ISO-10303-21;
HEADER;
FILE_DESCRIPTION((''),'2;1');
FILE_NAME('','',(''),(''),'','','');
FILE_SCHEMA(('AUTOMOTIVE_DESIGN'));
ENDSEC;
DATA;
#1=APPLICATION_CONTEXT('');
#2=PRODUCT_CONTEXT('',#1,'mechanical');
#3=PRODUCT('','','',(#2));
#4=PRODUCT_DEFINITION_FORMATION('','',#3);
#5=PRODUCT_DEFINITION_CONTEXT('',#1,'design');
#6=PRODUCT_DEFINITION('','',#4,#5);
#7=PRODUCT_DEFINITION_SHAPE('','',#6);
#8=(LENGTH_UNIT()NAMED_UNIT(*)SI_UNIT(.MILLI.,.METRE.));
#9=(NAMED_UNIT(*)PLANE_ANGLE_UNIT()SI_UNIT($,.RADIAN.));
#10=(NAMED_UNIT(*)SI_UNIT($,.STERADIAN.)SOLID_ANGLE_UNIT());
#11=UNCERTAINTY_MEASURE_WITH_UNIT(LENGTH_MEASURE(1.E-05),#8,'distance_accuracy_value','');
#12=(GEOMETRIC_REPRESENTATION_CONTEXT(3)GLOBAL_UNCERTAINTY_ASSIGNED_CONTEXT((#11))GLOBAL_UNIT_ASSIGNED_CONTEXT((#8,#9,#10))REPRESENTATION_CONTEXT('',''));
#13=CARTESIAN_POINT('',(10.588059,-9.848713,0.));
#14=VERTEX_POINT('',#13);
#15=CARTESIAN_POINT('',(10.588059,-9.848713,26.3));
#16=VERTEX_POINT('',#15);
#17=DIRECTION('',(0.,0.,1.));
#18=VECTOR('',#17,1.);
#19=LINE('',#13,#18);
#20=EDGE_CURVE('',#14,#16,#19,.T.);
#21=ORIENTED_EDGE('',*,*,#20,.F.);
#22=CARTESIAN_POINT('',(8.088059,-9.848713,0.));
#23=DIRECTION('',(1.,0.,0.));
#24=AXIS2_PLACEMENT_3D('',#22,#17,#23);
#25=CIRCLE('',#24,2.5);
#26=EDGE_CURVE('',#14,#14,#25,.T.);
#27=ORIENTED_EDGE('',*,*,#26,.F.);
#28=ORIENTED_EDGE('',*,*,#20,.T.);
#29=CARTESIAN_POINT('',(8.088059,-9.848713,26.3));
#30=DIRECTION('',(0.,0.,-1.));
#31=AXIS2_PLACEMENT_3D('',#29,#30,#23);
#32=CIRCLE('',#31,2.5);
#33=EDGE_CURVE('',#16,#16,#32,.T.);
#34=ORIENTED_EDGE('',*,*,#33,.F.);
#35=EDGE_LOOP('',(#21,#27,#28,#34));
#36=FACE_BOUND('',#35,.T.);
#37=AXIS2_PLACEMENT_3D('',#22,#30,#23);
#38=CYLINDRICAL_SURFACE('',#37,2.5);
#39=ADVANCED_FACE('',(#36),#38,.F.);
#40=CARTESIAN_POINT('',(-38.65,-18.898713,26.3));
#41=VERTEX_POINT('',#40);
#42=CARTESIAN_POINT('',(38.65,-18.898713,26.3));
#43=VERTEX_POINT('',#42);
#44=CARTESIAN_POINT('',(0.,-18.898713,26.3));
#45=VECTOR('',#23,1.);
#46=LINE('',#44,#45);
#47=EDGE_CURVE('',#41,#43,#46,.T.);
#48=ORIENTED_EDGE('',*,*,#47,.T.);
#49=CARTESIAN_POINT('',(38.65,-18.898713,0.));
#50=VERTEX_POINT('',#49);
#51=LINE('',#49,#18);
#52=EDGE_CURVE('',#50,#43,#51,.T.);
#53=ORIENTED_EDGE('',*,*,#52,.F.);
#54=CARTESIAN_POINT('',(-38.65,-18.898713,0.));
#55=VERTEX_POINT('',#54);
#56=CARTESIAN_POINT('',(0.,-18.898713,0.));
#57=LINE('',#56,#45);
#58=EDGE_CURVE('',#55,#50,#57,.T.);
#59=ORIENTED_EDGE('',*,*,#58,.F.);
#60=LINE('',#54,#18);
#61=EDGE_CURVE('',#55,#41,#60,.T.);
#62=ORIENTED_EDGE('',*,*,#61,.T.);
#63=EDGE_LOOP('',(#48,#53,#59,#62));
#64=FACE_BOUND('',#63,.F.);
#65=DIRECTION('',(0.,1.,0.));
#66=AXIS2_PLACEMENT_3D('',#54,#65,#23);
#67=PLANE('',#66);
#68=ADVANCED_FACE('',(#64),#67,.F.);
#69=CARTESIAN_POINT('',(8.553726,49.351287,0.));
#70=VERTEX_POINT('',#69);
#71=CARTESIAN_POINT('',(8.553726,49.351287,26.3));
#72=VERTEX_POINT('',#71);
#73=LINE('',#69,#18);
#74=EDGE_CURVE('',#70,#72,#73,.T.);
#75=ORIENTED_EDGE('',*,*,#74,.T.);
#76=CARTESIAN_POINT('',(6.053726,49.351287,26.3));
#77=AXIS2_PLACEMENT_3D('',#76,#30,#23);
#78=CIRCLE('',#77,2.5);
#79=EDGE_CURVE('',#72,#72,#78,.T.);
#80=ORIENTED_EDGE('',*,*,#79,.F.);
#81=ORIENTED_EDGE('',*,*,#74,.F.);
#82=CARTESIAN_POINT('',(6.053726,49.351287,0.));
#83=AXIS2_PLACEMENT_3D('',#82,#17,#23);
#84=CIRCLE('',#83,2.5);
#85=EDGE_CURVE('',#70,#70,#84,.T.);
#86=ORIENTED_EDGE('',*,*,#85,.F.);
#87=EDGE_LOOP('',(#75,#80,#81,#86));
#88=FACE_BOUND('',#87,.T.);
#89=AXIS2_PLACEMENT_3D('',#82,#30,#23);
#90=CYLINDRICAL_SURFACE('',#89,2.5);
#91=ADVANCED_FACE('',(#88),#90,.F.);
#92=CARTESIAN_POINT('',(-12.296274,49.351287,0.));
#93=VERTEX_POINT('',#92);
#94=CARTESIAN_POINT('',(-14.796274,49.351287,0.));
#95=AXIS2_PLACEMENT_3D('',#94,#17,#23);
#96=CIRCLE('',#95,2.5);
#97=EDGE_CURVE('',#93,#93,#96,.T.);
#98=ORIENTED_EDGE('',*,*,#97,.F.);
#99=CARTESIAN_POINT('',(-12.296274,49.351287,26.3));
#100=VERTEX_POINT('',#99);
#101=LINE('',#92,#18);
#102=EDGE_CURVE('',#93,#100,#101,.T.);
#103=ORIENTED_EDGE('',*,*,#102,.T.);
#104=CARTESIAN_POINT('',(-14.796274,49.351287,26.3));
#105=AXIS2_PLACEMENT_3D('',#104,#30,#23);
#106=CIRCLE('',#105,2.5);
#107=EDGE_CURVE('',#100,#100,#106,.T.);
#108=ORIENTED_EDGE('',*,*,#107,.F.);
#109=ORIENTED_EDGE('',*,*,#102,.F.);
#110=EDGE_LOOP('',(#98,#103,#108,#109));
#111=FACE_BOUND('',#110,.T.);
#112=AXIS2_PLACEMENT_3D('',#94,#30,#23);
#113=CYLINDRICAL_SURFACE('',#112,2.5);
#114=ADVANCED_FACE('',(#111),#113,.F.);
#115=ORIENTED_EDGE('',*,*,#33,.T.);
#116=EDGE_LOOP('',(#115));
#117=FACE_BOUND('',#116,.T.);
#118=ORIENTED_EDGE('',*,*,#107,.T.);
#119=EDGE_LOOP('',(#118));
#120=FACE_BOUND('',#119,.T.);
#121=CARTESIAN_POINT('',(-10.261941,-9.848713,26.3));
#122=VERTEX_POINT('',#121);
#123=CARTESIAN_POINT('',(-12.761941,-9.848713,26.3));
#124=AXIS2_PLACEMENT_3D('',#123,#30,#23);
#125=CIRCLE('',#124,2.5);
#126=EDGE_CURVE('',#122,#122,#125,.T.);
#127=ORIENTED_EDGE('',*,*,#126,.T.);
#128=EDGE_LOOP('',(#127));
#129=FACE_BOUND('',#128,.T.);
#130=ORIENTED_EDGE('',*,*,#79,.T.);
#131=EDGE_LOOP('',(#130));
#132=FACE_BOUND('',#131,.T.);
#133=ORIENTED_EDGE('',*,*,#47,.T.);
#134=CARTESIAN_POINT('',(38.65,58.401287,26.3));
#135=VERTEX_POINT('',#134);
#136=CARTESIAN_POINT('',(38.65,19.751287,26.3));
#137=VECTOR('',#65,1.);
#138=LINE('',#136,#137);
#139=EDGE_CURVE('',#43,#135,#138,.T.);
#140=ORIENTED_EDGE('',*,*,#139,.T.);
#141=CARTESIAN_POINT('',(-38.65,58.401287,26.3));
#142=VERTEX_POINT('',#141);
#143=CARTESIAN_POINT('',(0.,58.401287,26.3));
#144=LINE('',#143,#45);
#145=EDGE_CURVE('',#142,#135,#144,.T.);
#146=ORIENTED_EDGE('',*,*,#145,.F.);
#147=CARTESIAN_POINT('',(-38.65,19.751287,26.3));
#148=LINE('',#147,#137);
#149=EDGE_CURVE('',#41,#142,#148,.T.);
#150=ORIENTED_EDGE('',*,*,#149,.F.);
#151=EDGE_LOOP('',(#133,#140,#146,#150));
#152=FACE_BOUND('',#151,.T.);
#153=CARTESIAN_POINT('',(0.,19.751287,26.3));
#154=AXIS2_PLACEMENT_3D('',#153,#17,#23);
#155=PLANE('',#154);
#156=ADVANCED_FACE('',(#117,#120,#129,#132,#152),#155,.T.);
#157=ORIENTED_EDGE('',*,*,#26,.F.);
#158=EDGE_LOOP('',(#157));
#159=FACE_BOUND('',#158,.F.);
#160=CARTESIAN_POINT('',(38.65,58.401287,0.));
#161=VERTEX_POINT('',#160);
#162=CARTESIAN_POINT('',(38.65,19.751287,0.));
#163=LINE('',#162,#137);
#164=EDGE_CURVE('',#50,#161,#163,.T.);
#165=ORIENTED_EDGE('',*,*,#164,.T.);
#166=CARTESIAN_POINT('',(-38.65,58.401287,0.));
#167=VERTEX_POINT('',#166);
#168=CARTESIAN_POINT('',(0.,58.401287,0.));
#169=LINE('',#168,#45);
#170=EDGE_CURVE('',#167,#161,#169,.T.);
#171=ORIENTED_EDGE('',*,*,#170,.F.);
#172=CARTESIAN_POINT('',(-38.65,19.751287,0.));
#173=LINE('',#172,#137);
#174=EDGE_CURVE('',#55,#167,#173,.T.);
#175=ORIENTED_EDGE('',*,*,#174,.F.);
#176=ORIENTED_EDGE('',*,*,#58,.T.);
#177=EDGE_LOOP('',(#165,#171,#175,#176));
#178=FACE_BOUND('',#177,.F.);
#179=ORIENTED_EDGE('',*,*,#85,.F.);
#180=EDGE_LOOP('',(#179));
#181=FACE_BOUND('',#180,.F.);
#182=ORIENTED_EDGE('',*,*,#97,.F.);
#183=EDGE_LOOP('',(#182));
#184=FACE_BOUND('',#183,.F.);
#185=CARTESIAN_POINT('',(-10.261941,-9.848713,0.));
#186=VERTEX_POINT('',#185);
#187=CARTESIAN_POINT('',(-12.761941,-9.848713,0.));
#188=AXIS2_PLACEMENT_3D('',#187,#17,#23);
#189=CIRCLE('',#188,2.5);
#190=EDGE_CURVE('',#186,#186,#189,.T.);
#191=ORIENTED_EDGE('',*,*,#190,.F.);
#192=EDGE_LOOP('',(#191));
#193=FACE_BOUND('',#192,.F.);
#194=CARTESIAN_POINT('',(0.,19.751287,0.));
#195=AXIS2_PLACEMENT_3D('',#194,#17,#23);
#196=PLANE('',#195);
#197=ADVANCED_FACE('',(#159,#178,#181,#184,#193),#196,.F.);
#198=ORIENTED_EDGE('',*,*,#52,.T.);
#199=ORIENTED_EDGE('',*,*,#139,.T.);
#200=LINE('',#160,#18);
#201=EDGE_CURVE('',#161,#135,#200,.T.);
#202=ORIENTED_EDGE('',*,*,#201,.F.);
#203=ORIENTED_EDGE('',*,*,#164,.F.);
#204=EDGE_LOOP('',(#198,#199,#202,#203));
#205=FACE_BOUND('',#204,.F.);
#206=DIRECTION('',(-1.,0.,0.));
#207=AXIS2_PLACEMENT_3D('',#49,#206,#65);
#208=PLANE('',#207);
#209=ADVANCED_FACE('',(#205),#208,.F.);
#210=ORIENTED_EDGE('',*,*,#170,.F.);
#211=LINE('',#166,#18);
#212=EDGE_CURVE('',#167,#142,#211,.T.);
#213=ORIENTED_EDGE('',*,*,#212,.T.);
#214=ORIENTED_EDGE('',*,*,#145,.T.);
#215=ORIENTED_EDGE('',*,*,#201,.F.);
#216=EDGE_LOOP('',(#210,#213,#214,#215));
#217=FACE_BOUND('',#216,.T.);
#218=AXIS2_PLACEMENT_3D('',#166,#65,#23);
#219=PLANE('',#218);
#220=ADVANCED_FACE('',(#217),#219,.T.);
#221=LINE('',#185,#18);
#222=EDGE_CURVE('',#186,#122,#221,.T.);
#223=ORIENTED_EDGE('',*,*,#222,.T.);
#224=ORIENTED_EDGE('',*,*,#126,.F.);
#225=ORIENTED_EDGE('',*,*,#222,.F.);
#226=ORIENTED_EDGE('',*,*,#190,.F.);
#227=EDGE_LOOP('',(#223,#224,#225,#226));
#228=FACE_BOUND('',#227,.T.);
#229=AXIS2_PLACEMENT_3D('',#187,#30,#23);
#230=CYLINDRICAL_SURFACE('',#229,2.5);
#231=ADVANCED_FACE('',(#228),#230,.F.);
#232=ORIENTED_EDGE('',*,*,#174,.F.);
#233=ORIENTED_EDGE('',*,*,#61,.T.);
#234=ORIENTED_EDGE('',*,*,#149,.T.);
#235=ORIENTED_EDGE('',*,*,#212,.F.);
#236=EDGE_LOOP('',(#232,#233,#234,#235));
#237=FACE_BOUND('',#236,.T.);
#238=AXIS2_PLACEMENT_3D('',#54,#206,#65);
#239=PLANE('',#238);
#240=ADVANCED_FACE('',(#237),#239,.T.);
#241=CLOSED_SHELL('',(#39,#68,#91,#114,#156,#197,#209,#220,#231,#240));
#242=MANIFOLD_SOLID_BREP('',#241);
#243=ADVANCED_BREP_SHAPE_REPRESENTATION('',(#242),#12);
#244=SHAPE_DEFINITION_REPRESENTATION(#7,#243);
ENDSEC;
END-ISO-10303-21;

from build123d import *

# Parameters (mm, degrees)
F0_W     = 77.3
F0_H     = 77.3
F1_DEPTH = 26.3
F2_R     = 2.5
F3_DEPTH = 66.5


with BuildPart() as f1:
    # F0 (on Top) → F1 (new body)
    with BuildSketch(Plane.XY):
        with Locations((0, 19.751287)):
            Rectangle(F0_W, F0_H)
    extrude(amount=F1_DEPTH)

    # F2 (on Top) → F3 (cut)
    with BuildSketch(Plane.XY):
        with Locations((-12.761941, -9.848713)):
            Circle(F2_R)
        with Locations((8.088059, -9.848713)):
            Circle(F2_R)
        with Locations((6.053726, 49.351287)):
            Circle(F2_R)
        with Locations((-14.796274, 49.351287)):
            Circle(F2_R)
    extrude(amount=F3_DEPTH, mode=Mode.SUBTRACT)


solid = f1.part
